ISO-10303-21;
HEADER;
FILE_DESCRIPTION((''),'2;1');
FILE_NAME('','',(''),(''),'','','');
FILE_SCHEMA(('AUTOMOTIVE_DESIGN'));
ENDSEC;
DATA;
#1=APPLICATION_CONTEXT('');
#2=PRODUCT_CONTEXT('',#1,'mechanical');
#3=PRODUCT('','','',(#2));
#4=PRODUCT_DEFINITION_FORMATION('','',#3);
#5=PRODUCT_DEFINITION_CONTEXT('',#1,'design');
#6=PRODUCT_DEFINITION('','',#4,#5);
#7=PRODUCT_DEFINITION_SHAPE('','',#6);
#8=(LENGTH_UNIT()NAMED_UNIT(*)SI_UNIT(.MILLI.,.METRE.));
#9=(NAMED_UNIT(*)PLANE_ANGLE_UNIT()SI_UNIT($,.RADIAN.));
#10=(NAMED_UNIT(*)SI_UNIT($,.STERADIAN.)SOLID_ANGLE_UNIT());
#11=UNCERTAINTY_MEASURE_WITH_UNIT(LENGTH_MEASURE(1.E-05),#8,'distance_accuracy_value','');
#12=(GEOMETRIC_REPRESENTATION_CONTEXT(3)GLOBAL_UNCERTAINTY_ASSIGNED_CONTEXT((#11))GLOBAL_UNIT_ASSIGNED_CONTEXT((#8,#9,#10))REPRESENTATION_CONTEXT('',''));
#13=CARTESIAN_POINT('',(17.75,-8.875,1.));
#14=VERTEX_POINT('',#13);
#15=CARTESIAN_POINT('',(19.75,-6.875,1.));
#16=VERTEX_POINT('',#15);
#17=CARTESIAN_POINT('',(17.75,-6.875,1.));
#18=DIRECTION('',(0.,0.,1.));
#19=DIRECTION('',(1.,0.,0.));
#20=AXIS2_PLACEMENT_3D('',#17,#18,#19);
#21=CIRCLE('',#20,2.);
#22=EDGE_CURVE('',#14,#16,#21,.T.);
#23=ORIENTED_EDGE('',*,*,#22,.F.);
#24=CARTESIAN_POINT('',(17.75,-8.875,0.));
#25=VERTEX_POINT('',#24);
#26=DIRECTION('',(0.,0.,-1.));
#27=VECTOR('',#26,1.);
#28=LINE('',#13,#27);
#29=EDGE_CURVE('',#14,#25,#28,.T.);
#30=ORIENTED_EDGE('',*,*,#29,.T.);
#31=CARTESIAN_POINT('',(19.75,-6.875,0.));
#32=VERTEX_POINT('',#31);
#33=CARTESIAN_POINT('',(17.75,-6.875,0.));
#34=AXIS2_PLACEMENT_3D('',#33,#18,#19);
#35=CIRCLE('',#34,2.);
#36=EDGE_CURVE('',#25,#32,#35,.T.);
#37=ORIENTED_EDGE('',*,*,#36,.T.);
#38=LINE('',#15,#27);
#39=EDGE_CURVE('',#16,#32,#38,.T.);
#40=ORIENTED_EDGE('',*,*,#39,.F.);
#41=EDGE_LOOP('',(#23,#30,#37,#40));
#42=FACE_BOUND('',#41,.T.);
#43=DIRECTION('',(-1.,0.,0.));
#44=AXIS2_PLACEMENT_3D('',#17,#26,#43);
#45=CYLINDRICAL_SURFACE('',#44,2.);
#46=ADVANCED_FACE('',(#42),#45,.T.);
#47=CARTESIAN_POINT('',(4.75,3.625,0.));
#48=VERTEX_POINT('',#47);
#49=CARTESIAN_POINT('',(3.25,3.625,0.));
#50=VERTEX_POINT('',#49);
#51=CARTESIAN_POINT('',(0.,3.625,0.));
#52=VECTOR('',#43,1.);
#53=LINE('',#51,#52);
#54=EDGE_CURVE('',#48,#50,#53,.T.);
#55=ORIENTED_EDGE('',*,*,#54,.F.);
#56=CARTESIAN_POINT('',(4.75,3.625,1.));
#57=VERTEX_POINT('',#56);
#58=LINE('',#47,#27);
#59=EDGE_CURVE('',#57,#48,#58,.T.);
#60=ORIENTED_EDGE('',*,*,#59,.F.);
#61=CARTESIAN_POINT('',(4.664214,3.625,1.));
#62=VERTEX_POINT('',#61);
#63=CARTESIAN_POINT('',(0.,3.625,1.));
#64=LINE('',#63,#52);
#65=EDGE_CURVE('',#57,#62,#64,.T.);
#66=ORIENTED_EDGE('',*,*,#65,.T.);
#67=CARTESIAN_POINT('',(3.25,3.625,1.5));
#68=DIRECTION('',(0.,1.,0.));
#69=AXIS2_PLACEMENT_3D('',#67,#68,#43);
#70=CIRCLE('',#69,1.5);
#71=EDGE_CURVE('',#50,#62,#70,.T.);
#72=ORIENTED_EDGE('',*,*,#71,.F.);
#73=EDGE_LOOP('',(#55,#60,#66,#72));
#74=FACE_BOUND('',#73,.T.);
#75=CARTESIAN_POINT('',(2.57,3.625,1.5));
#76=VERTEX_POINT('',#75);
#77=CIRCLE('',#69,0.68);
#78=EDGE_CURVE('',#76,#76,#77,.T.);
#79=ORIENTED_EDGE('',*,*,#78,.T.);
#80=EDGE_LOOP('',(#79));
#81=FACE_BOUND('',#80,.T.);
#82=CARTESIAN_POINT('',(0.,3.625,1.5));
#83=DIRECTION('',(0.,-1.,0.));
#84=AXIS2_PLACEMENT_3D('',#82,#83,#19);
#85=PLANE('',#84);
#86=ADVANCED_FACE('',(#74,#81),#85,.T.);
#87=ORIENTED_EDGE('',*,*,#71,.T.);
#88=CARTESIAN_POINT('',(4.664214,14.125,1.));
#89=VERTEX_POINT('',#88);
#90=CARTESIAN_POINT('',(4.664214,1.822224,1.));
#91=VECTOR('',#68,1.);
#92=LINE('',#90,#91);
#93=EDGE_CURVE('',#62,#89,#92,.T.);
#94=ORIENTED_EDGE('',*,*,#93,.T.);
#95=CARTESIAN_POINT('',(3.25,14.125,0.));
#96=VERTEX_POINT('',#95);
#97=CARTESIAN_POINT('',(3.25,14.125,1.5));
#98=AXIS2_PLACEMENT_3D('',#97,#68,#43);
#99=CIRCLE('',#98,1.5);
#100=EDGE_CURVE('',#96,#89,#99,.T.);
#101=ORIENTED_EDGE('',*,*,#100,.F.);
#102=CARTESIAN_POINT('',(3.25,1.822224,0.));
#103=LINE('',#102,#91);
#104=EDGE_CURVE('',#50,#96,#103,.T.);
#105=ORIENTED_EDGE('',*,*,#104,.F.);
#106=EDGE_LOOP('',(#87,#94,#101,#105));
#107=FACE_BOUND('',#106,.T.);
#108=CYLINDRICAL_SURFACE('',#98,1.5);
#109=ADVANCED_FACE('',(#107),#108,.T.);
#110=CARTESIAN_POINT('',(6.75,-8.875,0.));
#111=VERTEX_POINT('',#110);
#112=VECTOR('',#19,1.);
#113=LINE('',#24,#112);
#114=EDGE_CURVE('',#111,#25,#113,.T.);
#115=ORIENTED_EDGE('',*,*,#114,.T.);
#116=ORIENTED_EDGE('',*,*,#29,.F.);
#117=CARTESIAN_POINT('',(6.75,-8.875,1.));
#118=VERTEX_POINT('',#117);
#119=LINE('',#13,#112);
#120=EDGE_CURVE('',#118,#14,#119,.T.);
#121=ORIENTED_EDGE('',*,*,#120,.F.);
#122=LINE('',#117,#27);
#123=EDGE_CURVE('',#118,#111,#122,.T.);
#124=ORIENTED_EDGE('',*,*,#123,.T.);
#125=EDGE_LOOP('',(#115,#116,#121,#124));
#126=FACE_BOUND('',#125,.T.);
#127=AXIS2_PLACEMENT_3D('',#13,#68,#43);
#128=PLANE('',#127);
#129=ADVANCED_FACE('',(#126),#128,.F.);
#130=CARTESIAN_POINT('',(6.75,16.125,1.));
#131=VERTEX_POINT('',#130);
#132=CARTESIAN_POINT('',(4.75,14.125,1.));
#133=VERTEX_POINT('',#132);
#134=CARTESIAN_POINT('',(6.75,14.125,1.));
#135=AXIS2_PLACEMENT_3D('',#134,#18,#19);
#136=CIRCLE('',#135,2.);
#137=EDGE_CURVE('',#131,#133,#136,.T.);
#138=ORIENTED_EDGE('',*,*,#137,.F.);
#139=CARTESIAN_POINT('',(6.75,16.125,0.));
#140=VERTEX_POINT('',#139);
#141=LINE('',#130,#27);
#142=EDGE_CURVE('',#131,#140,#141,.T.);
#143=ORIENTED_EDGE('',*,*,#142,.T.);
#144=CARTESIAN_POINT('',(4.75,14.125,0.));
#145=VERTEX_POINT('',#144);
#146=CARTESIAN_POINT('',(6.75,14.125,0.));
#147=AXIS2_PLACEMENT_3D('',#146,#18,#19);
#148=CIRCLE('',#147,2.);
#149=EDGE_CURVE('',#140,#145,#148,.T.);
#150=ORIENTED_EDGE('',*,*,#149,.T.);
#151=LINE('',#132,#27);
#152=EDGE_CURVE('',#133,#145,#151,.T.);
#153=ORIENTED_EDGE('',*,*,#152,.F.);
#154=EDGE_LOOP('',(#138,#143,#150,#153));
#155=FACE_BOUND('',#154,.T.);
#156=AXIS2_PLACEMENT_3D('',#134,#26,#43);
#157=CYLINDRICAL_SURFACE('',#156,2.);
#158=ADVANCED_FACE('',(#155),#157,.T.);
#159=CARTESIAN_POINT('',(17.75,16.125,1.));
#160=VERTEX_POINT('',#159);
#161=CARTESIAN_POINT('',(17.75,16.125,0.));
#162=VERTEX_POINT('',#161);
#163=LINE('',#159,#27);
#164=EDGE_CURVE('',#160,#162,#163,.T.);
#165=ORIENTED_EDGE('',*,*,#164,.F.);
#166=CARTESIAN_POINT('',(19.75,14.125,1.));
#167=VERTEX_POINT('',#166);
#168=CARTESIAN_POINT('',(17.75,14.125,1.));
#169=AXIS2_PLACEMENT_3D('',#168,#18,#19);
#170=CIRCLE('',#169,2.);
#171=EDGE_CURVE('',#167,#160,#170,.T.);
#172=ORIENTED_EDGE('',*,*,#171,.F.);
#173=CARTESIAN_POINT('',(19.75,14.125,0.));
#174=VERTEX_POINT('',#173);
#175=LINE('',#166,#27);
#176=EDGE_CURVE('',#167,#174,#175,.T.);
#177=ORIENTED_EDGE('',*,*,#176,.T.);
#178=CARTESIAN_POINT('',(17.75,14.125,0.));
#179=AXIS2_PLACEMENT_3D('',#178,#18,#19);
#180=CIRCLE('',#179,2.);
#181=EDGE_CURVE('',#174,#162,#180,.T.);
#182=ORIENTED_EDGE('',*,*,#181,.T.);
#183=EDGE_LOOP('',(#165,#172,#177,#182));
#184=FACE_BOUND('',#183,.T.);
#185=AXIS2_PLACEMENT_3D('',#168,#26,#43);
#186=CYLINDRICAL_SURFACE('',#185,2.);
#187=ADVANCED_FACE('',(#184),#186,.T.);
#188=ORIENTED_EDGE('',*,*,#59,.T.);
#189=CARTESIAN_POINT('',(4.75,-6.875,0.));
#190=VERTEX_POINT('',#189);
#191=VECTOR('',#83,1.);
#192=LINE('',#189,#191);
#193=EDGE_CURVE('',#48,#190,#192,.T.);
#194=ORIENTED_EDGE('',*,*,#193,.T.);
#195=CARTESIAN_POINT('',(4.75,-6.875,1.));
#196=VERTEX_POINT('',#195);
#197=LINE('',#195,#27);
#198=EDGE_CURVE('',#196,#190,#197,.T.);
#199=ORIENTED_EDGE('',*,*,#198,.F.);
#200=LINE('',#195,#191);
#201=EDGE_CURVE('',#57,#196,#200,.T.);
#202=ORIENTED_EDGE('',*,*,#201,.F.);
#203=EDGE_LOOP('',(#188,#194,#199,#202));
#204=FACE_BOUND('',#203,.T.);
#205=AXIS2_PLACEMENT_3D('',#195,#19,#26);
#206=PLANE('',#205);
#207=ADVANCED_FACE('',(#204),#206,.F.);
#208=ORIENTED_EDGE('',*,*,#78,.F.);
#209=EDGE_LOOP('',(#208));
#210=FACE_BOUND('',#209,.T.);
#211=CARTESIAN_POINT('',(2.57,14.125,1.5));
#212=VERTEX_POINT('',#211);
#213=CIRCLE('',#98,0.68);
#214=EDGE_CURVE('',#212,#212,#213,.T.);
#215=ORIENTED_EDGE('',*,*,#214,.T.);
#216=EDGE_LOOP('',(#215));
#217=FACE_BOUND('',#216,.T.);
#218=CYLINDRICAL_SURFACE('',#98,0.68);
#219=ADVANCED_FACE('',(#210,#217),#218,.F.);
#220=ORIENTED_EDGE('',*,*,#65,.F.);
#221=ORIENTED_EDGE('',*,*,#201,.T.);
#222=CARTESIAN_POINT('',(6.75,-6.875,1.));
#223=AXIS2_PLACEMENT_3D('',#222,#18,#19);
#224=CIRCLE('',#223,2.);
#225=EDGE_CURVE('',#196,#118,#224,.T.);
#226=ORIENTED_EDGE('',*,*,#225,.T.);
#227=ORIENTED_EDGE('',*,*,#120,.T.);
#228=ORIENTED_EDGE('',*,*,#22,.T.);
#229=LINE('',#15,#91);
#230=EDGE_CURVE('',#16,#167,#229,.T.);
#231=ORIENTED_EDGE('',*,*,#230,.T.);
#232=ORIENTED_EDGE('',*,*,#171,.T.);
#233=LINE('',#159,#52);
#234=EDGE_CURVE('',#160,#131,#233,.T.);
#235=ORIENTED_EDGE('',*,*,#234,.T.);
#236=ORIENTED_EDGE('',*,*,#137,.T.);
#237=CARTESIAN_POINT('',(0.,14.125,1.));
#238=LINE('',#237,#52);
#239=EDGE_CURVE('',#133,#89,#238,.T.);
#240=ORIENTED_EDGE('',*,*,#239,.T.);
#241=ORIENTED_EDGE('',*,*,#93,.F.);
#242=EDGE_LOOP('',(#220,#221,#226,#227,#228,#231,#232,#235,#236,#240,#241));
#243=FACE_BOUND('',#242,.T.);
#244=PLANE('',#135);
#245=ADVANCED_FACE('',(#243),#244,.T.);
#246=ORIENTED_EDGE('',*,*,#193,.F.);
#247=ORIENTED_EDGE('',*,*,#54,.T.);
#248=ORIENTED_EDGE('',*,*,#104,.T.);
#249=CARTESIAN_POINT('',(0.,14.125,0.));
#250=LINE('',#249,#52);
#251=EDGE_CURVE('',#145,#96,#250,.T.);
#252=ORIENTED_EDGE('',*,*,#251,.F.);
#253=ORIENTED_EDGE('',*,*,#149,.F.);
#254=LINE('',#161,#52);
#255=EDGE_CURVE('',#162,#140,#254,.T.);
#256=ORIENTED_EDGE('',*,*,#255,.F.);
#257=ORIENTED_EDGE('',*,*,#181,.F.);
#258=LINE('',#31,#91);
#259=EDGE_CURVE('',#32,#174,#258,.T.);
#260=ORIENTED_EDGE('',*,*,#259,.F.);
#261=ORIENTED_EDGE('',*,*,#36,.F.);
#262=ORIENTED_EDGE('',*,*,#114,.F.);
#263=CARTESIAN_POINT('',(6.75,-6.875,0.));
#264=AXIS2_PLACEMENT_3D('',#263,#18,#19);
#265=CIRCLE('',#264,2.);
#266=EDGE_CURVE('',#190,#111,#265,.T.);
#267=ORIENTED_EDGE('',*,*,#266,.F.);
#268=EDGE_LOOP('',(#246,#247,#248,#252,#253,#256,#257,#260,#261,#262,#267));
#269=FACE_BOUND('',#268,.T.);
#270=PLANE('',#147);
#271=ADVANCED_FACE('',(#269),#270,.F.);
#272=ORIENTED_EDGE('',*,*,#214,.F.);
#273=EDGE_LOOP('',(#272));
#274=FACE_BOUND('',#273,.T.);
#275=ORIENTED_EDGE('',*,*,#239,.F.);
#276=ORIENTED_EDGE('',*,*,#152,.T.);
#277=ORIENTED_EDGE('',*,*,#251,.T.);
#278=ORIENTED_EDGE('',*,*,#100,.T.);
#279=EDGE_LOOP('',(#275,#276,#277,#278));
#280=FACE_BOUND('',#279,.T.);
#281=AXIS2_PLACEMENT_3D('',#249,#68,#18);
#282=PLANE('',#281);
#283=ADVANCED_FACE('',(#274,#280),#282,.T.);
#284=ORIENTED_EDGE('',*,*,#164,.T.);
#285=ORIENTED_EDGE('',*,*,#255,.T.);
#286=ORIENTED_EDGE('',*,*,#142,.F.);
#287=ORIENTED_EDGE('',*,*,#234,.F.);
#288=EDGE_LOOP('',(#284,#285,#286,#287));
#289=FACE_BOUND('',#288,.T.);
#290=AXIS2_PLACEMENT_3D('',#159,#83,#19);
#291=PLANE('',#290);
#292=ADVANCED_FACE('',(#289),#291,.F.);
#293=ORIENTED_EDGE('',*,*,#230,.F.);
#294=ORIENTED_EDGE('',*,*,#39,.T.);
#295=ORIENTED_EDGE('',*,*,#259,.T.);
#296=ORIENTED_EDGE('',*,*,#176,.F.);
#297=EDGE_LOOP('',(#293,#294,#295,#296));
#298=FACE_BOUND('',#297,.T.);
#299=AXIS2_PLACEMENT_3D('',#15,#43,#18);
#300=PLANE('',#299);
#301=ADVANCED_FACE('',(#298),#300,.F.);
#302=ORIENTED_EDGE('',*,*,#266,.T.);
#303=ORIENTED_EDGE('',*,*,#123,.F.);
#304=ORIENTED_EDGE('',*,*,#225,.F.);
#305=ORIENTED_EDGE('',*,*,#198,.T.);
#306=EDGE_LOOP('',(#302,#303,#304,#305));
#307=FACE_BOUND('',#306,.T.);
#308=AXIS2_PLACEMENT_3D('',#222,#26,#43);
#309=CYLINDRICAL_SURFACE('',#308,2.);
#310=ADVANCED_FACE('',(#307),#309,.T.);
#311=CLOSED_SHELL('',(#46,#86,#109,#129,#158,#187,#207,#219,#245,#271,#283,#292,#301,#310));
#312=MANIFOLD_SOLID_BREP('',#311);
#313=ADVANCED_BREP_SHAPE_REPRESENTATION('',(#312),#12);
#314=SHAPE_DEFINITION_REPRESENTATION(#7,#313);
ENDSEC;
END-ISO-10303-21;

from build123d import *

# Parameters (mm, degrees)
EXTRUDE_1_DEPTH = 1
SKETCH_9_W      = 0.82
SKETCH_9_H      = 10.5
EXTRUDE_4_DEPTH = 10.5


with BuildPart() as part:
    # 草图1 → 凸台-拉伸1 (new body)
    with BuildSketch(Plane.XY):
        with BuildLine():
            Line((17.75, -8.875), (6.75, -8.875))
            ThreePointArc((6.75, -8.875), (5.335786438, -8.289213562), (4.75, -6.875))
            Line((4.75, -6.875), (4.75, 14.125))
            ThreePointArc((4.75, 14.125), (5.335786438, 15.539213562), (6.75, 16.125))
            Line((6.75, 16.125), (17.75, 16.125))
            ThreePointArc((17.75, 16.125), (19.164213562, 15.539213562), (19.75, 14.125))
            Line((19.75, 14.125), (19.75, -6.875))
            ThreePointArc((19.75, -6.875), (19.164213562, -8.289213562), (17.75, -8.875))
        make_face()
    extrude(amount=EXTRUDE_1_DEPTH)



with BuildPart() as body_2:
    # 草图9 → 旋转2 (revolve)
    with BuildSketch(Plane.XY.offset(1.5), mode=Mode.PRIVATE) as revolve_2_sk:
        with Locations((4.34, 8.875)):
            Rectangle(SKETCH_9_W, SKETCH_9_H)
    revolve(revolve_2_sk.sketch.rotate(Axis((3.25, 14.125, 1.5), (0, -1, 0)), 180), axis=Axis((3.25, 14.125, 1.5), (0, -1, 0)))


with BuildPart() as part_1:
    add(part.part)

    add(body_2.part)  # 凸台-拉伸4 merges body 2
    # 草图11 → 凸台-拉伸4 (add)
    with BuildSketch(Plane(origin=(0, 14.125, 0), x_dir=(1, 0, 0), z_dir=(0, 1, 0))):
        with BuildLine():
            Line((4.75, -1), (4.75, -0.82))
            Line((4.75, -0.82), (4.587011593, -0.82))
            ThreePointArc((4.587011593, -0.82), (4.628553577, -0.908738606), (4.664213562, -1))
            Line((4.664213562, -1), (4.75, -1))
        make_face()
        with BuildLine():
            Line((4.75, -0.82), (4.75, 0))
            Line((4.75, 0), (3.25, 0))
            ThreePointArc((3.25, 0), (4.034219357, -0.221328815), (4.587011593, -0.82))
            Line((4.587011593, -0.82), (4.75, -0.82))
        make_face()
    extrude(amount=-EXTRUDE_4_DEPTH)


solid = part_1.part
